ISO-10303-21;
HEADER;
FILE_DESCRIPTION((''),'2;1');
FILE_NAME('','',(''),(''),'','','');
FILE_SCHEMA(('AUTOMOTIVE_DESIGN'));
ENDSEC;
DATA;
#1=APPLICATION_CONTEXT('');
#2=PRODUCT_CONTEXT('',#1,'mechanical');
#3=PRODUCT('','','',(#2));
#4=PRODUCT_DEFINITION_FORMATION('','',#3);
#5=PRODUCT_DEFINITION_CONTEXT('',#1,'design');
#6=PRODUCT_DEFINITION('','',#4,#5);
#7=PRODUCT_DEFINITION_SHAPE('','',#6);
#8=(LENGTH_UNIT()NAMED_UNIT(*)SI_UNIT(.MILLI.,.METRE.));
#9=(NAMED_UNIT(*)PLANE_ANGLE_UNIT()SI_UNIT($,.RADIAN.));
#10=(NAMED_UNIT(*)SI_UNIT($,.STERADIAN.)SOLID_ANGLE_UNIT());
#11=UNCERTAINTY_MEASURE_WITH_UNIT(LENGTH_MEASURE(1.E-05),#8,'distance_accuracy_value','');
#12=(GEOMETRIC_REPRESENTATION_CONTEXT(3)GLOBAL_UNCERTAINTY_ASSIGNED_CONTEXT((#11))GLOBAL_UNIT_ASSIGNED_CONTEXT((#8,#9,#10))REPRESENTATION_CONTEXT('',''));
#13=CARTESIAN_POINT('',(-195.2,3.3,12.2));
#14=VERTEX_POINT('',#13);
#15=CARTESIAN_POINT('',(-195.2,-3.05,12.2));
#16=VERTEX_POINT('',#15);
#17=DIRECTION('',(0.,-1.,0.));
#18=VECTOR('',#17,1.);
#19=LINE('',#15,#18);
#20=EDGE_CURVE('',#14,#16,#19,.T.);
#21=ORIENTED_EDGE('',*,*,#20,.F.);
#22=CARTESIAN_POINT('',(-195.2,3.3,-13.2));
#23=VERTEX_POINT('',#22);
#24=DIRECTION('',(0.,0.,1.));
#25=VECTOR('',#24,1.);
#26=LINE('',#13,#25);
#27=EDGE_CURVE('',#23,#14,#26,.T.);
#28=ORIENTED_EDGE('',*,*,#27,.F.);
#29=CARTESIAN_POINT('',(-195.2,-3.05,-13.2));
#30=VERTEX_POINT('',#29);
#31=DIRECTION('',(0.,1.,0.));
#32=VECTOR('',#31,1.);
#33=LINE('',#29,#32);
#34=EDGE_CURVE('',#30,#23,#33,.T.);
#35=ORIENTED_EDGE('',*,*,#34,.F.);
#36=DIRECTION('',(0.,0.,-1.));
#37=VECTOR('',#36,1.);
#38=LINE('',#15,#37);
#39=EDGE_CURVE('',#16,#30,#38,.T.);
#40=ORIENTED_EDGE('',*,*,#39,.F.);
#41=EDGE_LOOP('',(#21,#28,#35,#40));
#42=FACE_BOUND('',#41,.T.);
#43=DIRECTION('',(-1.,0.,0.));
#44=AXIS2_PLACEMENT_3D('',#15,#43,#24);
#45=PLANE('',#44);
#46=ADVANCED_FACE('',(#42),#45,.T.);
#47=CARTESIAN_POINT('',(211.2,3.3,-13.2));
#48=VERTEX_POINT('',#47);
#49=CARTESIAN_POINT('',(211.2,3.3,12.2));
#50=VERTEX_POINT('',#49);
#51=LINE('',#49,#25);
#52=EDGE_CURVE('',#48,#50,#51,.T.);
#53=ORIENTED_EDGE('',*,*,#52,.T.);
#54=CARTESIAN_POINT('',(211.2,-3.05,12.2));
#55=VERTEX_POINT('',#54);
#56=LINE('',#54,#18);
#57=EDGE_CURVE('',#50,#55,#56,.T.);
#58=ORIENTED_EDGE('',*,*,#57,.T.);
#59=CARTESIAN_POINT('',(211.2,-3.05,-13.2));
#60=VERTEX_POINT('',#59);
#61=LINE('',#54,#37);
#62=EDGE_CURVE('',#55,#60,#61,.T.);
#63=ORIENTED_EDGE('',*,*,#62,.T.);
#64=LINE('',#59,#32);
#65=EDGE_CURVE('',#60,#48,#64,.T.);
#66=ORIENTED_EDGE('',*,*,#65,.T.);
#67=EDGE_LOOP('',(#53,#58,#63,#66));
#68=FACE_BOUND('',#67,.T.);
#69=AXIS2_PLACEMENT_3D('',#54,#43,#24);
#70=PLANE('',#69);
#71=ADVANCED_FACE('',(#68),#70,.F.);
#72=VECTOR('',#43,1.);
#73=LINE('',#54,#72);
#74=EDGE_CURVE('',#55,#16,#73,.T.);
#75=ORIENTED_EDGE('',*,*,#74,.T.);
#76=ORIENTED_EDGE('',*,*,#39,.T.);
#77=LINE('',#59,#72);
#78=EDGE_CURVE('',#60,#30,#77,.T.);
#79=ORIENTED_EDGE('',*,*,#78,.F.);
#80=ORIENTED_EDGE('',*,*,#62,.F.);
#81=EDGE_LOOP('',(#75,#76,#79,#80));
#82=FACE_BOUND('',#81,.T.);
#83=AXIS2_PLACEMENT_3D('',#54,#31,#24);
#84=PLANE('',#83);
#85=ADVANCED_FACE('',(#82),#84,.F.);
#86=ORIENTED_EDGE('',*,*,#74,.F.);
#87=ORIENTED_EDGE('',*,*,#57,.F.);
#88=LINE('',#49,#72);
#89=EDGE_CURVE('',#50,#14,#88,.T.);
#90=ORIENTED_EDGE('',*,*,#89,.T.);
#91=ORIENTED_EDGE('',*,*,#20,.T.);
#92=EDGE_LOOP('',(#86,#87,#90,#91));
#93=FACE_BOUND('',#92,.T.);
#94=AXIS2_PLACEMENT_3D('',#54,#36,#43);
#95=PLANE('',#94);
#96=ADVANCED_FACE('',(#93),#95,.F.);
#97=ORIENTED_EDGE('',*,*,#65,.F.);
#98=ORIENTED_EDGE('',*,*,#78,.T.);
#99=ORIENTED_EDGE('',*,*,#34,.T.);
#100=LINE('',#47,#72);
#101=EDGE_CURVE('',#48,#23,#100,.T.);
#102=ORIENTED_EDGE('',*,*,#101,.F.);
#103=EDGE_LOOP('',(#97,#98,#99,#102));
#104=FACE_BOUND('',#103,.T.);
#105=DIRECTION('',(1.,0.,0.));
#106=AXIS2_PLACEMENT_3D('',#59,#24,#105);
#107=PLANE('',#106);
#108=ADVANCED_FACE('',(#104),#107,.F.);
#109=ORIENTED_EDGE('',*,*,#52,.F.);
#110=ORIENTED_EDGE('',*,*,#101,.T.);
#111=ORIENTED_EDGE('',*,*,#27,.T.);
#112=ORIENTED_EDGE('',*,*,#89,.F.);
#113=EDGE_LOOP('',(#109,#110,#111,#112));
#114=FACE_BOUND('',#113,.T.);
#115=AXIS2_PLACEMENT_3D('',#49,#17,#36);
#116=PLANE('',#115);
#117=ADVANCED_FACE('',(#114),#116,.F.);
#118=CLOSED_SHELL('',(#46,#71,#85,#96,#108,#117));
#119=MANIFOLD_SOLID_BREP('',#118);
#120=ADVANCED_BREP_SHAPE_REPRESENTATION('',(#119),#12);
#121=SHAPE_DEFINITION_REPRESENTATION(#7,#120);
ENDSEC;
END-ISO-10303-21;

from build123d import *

# Parameters (mm, degrees)
SKETCH1_W           = 1
SKETCH1_H           = 0.25
BOSS_EXTRUDE1_DEPTH = 16
SCALE1_SCALE        = 25.4


with BuildPart() as part:
    # Sketch1 → Boss-Extrude1 (new body)
    with BuildSketch(Plane(origin=(0, 0, 0), x_dir=(0, 0, -1), z_dir=(1, 0, 0))):
        with Locations((0.5, 0.125)):
            Rectangle(SKETCH1_W, SKETCH1_H)
    extrude(amount=BOSS_EXTRUDE1_DEPTH)


with BuildPart() as part_1:
    # Scale1: scaled about (8, 0.125, -0.5)
    add(part.part.scale(SCALE1_SCALE).moved(Location((-195.2, -3.05, 12.2))))


solid = part_1.part
